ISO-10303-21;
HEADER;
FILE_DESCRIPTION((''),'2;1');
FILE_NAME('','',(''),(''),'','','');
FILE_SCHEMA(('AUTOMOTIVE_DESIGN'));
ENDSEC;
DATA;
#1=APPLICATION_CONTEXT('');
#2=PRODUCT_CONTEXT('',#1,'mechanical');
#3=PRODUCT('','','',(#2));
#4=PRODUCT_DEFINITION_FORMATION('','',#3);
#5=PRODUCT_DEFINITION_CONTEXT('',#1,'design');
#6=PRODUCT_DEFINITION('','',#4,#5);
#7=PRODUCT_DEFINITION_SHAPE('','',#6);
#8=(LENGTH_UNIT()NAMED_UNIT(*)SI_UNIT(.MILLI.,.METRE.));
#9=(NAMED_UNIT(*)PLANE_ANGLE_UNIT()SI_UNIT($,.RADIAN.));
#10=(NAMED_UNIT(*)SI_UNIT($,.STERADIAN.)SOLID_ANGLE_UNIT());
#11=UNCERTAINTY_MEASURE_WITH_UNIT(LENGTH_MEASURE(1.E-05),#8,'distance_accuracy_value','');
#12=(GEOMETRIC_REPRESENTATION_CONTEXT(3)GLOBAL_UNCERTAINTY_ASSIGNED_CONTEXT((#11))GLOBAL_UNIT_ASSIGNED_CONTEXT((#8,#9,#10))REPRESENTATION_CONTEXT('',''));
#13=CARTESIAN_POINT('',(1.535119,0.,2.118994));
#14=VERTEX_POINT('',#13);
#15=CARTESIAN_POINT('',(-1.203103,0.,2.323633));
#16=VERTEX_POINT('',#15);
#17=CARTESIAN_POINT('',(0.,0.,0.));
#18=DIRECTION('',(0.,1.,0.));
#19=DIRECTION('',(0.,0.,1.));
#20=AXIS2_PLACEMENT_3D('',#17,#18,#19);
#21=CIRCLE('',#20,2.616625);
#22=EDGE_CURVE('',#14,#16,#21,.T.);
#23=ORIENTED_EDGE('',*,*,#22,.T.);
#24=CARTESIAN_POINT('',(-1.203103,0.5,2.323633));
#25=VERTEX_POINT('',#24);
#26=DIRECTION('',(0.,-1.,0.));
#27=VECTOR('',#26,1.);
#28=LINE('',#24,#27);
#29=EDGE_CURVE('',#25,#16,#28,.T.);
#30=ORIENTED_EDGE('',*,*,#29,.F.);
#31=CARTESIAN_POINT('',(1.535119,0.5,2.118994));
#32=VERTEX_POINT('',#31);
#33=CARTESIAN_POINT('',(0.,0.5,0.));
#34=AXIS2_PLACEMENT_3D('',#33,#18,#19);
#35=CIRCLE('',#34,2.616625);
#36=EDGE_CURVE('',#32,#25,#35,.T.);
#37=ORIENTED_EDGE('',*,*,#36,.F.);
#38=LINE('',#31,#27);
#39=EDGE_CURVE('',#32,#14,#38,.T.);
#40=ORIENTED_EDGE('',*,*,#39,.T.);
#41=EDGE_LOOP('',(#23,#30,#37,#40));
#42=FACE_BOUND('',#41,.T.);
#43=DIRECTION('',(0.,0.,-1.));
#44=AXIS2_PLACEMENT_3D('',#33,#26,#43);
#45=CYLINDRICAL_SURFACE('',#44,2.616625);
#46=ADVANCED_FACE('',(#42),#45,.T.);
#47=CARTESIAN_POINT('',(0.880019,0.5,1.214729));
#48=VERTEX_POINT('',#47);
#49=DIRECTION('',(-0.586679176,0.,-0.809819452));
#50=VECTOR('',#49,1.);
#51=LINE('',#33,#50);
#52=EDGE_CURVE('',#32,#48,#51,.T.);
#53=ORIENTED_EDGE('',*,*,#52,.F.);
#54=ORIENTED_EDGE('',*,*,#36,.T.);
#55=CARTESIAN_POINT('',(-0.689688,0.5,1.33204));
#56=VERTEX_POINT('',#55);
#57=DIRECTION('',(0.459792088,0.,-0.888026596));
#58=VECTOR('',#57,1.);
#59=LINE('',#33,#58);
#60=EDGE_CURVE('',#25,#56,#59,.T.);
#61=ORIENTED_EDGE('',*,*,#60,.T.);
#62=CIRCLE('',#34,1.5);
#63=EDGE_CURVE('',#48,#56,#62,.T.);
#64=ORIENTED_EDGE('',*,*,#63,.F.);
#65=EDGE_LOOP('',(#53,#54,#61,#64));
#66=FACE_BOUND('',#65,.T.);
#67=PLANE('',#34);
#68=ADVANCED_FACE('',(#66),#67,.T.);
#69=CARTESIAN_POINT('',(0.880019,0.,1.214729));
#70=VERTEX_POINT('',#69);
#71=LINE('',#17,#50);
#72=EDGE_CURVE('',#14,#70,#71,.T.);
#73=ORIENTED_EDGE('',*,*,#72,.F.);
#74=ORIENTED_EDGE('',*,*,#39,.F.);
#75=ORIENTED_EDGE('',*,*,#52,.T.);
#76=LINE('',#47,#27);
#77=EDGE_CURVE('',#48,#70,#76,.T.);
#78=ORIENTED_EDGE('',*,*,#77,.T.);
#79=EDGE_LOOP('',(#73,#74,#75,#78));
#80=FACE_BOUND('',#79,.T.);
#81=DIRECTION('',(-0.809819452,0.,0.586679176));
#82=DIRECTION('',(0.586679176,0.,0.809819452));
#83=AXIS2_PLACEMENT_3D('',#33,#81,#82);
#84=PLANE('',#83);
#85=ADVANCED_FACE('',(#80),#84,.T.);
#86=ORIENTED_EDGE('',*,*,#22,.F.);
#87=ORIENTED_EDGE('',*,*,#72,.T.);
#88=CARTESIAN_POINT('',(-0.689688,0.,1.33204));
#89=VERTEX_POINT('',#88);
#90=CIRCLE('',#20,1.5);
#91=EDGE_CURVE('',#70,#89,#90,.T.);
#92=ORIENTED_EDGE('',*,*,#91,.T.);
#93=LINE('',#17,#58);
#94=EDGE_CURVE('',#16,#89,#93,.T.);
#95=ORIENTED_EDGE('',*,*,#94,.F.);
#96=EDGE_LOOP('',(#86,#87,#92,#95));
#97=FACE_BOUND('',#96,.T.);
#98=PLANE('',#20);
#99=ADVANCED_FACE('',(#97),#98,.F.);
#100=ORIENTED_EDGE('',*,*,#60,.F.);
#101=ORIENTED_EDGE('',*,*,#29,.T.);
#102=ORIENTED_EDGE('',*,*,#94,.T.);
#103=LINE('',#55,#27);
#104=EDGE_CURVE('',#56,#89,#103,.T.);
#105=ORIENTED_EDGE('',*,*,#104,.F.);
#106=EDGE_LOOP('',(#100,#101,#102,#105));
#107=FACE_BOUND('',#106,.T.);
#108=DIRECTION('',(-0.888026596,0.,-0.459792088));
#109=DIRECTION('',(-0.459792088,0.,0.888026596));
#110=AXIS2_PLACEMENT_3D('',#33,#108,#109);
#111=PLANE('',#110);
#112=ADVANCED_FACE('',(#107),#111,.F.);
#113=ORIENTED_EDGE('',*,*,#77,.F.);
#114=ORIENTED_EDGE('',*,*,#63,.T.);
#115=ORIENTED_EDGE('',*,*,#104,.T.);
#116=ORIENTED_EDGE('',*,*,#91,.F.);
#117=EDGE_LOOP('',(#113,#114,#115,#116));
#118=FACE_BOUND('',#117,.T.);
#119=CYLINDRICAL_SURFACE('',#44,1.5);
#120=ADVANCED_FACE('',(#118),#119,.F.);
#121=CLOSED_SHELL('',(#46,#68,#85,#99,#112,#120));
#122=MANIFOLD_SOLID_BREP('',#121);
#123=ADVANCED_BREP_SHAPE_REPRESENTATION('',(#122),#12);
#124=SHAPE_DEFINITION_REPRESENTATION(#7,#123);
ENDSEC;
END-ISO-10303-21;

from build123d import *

# Parameters (mm, degrees)
BOSS_EXTRUDE1_DEPTH = 0.5


with BuildPart() as part:
    # Sketch1 → Boss-Extrude1 (new body)
    with BuildSketch(Plane(origin=(0, 0, 0), x_dir=(1, 0, 0), z_dir=(0, 1, 0))):
        with BuildLine():
            ThreePointArc((1.734559672, 1.959088748), (0, 2.616624921), (-1.734559672, 1.959088748))
            Line((-1.734559672, 1.959088748), (-0.994349434, 1.123062422))
            ThreePointArc((-0.994349434, 1.123062422), (-0.033994196, 1.499614749), (0.942437635, 1.166966711))
            Line((0.942437635, 1.166966711), (1.734559672, 1.959088748))
        make_face()
        with BuildLine():
            ThreePointArc((-1.734559672, 1.959088748), (-2.596707821, -0.32223357), (-1.203103437, -2.323632522))
            Line((-1.203103437, -2.323632522), (-0.689688133, -1.332039894))
            ThreePointArc((-0.689688133, -1.332039894), (-1.488582372, -0.184722828), (-0.994349434, 1.123062422))
            Line((-0.994349434, 1.123062422), (-1.734559672, 1.959088748))
        make_face()
        with BuildLine():
            Line((0.880018763, -1.214729178), (1.535119351, -2.11899376))
            ThreePointArc((1.535119351, -2.11899376), (2.330617679, -1.189515537), (2.616624921, 0))
            ThreePointArc((2.616624921, 0), (2.385939861, 1.074251812), (1.734559672, 1.959088748))
            Line((1.734559672, 1.959088748), (0.942437635, 1.166966711))
            ThreePointArc((0.942437635, 1.166966711), (1.353450489, 0.646662024), (1.5, 0))
            ThreePointArc((1.5, 0), (1.336044188, -0.681898766), (0.880018763, -1.214729178))
        make_face()
    extrude(amount=BOSS_EXTRUDE1_DEPTH)


solid = part.part
